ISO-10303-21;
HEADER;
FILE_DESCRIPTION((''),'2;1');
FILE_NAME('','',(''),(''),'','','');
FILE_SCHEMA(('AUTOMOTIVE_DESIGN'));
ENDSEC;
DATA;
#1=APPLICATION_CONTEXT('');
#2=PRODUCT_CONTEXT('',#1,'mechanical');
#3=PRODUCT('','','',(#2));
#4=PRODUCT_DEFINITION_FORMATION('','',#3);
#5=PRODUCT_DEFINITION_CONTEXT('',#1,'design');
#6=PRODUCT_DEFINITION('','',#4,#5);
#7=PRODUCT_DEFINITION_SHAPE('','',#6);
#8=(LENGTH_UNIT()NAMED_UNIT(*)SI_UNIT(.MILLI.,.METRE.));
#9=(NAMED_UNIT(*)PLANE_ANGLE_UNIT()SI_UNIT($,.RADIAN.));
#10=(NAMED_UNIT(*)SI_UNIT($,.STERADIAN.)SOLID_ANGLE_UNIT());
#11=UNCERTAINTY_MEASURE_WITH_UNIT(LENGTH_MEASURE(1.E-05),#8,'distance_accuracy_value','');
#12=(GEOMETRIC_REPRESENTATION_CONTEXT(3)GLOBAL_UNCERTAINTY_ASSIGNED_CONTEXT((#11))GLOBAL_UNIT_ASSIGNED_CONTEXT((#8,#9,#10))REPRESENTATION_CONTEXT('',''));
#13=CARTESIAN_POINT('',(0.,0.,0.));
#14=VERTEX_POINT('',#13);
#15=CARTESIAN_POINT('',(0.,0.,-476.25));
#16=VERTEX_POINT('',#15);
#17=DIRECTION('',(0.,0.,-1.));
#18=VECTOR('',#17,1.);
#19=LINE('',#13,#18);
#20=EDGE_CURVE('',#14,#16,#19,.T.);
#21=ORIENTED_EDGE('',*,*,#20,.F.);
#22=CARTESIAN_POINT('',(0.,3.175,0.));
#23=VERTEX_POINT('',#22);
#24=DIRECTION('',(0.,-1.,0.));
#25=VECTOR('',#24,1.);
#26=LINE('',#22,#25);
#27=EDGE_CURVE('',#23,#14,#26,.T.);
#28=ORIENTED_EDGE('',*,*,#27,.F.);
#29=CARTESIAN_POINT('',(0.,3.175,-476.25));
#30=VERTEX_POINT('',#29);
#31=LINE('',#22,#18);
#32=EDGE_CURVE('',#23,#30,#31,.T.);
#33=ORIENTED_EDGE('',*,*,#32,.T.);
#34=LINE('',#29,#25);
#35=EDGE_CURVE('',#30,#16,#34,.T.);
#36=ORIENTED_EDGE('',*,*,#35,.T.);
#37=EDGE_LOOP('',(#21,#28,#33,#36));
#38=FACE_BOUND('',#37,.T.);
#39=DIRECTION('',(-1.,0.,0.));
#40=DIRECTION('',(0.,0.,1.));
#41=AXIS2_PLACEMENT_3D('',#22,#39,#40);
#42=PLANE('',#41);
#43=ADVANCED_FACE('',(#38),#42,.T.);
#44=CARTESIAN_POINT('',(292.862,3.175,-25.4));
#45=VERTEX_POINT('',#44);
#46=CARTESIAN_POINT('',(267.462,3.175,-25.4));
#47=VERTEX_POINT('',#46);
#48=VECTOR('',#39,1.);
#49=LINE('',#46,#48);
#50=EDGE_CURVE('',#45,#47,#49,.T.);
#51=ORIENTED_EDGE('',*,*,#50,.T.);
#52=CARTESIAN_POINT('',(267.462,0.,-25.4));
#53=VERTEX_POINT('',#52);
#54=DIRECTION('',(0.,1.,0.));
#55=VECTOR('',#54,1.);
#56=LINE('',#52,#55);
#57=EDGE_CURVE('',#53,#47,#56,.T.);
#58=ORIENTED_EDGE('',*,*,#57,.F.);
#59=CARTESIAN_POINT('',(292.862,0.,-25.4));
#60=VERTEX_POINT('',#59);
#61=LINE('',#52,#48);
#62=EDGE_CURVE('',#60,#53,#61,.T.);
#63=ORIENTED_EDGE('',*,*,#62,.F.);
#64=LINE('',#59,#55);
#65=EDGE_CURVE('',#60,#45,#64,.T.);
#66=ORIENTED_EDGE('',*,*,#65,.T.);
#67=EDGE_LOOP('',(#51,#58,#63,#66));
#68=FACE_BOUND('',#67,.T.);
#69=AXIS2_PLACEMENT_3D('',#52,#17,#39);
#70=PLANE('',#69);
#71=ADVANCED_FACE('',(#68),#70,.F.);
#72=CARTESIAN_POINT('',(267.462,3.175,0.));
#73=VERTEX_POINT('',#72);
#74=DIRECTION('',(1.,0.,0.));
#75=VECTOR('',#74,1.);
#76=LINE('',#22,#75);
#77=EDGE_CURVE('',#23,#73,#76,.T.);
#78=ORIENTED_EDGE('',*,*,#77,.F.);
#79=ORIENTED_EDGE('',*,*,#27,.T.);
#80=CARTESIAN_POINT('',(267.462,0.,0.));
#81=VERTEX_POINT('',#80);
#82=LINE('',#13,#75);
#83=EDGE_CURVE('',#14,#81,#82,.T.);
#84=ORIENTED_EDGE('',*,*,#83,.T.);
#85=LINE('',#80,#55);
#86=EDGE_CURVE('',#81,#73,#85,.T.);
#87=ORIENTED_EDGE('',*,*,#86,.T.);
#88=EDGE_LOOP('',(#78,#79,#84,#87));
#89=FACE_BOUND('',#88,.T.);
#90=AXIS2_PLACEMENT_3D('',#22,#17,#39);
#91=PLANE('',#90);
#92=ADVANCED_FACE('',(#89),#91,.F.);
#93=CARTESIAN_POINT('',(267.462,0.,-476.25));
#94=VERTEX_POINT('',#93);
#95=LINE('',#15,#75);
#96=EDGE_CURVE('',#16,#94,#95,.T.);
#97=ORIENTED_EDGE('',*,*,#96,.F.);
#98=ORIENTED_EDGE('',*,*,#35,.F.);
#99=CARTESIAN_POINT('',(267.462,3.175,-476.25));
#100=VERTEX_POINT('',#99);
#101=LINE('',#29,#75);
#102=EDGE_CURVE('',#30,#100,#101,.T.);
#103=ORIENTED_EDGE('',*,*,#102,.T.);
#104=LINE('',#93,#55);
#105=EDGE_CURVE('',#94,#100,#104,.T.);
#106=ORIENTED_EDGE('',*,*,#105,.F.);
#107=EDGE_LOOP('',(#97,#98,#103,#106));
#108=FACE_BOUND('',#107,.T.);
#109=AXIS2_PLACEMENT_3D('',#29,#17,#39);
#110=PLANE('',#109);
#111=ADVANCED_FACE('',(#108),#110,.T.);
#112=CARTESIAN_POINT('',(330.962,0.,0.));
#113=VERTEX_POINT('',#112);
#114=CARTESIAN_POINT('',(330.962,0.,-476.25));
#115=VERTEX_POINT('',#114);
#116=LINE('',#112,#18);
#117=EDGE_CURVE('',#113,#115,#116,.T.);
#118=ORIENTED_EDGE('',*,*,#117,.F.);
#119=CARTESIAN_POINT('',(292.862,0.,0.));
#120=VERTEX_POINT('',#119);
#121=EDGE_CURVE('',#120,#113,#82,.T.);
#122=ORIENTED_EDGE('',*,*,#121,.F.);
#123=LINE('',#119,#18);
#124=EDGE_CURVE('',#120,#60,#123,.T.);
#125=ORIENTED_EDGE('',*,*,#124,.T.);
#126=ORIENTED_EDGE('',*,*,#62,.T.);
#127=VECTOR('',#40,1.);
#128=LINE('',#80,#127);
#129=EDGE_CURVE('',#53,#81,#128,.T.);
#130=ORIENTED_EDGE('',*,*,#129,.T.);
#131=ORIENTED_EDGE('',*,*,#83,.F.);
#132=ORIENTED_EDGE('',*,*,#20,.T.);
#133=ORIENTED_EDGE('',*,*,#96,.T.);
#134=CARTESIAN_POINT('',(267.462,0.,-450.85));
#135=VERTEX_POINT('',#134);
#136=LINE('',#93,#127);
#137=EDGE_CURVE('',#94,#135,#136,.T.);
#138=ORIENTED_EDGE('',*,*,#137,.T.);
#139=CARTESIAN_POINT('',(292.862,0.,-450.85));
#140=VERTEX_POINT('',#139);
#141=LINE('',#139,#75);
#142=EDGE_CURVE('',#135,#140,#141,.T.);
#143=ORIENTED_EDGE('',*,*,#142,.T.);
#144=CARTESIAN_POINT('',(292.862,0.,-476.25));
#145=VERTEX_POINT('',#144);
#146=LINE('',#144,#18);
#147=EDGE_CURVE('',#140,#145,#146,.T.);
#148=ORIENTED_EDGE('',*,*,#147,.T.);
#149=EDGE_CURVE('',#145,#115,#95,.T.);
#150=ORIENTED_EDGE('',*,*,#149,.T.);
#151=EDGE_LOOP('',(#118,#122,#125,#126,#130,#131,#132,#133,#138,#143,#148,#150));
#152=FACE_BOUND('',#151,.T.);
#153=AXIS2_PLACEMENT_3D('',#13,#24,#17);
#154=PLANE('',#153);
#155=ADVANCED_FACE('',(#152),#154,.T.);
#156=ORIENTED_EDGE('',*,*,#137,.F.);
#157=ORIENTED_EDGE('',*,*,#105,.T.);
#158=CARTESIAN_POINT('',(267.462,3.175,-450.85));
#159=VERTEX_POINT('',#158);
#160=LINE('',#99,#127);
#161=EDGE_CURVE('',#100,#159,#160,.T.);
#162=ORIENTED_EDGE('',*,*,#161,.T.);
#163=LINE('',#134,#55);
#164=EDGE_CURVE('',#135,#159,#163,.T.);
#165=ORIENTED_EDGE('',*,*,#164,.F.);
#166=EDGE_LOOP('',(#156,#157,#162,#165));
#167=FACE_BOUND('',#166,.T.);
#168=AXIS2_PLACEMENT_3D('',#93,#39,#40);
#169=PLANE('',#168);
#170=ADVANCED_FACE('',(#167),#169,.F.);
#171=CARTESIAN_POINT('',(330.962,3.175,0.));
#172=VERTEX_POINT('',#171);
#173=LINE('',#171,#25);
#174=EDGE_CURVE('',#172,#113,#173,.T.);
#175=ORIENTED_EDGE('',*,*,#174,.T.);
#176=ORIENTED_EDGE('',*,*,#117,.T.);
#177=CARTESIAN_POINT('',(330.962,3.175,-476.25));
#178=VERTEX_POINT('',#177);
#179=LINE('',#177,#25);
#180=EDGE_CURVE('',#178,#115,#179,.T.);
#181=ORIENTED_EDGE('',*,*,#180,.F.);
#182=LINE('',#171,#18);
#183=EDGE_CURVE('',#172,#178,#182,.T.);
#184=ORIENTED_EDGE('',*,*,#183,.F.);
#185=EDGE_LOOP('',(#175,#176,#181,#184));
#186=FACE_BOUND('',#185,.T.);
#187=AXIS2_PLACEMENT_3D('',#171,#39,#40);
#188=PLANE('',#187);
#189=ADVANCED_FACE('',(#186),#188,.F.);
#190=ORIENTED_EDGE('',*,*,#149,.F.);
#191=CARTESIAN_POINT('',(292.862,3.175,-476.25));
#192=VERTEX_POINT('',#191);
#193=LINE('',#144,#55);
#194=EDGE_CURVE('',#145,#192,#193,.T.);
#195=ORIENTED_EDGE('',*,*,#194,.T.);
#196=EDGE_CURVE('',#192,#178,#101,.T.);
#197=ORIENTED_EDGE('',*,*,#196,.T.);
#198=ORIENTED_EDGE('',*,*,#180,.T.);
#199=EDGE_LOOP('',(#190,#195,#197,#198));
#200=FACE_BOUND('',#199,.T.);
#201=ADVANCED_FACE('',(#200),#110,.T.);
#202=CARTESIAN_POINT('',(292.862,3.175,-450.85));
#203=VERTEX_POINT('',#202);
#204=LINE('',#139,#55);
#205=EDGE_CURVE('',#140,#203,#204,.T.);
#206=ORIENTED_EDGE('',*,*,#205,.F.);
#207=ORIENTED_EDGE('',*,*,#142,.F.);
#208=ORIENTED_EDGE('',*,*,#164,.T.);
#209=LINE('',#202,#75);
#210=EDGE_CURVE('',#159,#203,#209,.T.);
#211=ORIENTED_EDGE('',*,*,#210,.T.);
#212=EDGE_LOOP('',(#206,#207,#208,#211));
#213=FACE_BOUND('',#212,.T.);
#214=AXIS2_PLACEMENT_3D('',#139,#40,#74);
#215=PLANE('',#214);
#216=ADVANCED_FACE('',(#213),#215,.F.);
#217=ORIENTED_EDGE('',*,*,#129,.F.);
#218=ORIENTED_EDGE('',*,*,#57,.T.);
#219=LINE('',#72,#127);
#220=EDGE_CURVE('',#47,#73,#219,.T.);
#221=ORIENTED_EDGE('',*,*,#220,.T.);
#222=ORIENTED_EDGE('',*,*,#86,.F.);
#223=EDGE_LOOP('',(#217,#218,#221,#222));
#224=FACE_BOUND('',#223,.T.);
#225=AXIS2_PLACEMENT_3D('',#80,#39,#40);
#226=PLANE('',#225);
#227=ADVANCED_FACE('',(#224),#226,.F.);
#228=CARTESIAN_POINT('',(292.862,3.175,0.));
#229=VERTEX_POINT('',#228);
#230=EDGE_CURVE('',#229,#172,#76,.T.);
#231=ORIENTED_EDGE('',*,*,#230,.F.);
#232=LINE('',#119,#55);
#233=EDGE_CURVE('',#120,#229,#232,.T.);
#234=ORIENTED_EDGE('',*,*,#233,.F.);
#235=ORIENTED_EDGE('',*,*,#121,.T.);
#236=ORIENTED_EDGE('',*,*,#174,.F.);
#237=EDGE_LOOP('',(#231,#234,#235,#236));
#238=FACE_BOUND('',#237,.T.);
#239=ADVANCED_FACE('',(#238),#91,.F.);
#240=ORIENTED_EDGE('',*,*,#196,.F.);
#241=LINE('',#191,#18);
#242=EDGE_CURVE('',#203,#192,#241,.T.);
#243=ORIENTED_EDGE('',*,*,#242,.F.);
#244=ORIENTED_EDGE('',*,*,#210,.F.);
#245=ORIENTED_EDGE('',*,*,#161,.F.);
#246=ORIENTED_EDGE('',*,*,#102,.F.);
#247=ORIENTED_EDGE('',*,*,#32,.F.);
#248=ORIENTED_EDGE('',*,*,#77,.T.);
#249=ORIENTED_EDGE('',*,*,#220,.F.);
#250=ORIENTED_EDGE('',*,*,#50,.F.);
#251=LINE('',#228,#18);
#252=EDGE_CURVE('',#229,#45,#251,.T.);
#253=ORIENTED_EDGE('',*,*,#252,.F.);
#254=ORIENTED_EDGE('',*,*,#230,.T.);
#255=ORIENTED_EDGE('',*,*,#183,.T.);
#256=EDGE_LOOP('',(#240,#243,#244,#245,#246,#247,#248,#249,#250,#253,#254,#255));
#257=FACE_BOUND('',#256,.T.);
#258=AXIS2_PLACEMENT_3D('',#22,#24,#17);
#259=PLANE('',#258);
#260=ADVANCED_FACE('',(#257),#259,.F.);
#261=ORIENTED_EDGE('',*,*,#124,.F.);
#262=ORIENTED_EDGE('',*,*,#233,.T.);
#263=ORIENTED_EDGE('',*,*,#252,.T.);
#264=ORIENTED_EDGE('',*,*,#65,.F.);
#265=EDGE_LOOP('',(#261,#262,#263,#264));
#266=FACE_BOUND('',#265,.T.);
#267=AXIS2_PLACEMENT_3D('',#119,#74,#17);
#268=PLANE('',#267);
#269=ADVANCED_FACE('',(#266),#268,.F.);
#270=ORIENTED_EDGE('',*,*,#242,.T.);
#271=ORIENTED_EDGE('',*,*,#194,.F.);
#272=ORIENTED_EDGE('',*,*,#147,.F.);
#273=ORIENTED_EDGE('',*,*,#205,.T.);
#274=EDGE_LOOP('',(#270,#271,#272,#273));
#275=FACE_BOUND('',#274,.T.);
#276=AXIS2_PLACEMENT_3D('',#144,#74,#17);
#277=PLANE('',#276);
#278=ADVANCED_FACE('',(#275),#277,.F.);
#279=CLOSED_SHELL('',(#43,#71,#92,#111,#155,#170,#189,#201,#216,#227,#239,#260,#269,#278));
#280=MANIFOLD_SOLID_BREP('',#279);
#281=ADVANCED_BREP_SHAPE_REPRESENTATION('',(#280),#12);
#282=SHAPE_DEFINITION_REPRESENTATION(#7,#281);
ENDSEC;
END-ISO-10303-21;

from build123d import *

# Parameters (mm, degrees)
SKETCH1_W           = 330.962
SKETCH1_H           = 476.25
BOSS_EXTRUDE1_DEPTH = 3.175
SKETCH2_W           = 25.4
SKETCH2_H           = 25.4
CUT_EXTRUDE1_DEPTH  = 580.965506361


with BuildPart() as part:
    # Sketch1 → Boss-Extrude1 (new body)
    with BuildSketch(Plane(origin=(0, 0, 0), x_dir=(1, 0, 0), z_dir=(0, 1, 0))):
        with Locations((165.481, 238.125)):
            Rectangle(SKETCH1_W, SKETCH1_H)
    extrude(amount=BOSS_EXTRUDE1_DEPTH)

    # Sketch2 → Cut-Extrude1 (cut, through all)
    with BuildSketch(Plane(origin=(0, 3.175, 0), x_dir=(1, 0, 0), z_dir=(0, 1, 0))):
        with Locations((280.162, 12.7)):
            Rectangle(SKETCH2_W, SKETCH2_H)
        with Locations((280.162, 463.55)):
            Rectangle(SKETCH2_W, SKETCH2_H)
    extrude(amount=-CUT_EXTRUDE1_DEPTH, mode=Mode.SUBTRACT)


solid = part.part
